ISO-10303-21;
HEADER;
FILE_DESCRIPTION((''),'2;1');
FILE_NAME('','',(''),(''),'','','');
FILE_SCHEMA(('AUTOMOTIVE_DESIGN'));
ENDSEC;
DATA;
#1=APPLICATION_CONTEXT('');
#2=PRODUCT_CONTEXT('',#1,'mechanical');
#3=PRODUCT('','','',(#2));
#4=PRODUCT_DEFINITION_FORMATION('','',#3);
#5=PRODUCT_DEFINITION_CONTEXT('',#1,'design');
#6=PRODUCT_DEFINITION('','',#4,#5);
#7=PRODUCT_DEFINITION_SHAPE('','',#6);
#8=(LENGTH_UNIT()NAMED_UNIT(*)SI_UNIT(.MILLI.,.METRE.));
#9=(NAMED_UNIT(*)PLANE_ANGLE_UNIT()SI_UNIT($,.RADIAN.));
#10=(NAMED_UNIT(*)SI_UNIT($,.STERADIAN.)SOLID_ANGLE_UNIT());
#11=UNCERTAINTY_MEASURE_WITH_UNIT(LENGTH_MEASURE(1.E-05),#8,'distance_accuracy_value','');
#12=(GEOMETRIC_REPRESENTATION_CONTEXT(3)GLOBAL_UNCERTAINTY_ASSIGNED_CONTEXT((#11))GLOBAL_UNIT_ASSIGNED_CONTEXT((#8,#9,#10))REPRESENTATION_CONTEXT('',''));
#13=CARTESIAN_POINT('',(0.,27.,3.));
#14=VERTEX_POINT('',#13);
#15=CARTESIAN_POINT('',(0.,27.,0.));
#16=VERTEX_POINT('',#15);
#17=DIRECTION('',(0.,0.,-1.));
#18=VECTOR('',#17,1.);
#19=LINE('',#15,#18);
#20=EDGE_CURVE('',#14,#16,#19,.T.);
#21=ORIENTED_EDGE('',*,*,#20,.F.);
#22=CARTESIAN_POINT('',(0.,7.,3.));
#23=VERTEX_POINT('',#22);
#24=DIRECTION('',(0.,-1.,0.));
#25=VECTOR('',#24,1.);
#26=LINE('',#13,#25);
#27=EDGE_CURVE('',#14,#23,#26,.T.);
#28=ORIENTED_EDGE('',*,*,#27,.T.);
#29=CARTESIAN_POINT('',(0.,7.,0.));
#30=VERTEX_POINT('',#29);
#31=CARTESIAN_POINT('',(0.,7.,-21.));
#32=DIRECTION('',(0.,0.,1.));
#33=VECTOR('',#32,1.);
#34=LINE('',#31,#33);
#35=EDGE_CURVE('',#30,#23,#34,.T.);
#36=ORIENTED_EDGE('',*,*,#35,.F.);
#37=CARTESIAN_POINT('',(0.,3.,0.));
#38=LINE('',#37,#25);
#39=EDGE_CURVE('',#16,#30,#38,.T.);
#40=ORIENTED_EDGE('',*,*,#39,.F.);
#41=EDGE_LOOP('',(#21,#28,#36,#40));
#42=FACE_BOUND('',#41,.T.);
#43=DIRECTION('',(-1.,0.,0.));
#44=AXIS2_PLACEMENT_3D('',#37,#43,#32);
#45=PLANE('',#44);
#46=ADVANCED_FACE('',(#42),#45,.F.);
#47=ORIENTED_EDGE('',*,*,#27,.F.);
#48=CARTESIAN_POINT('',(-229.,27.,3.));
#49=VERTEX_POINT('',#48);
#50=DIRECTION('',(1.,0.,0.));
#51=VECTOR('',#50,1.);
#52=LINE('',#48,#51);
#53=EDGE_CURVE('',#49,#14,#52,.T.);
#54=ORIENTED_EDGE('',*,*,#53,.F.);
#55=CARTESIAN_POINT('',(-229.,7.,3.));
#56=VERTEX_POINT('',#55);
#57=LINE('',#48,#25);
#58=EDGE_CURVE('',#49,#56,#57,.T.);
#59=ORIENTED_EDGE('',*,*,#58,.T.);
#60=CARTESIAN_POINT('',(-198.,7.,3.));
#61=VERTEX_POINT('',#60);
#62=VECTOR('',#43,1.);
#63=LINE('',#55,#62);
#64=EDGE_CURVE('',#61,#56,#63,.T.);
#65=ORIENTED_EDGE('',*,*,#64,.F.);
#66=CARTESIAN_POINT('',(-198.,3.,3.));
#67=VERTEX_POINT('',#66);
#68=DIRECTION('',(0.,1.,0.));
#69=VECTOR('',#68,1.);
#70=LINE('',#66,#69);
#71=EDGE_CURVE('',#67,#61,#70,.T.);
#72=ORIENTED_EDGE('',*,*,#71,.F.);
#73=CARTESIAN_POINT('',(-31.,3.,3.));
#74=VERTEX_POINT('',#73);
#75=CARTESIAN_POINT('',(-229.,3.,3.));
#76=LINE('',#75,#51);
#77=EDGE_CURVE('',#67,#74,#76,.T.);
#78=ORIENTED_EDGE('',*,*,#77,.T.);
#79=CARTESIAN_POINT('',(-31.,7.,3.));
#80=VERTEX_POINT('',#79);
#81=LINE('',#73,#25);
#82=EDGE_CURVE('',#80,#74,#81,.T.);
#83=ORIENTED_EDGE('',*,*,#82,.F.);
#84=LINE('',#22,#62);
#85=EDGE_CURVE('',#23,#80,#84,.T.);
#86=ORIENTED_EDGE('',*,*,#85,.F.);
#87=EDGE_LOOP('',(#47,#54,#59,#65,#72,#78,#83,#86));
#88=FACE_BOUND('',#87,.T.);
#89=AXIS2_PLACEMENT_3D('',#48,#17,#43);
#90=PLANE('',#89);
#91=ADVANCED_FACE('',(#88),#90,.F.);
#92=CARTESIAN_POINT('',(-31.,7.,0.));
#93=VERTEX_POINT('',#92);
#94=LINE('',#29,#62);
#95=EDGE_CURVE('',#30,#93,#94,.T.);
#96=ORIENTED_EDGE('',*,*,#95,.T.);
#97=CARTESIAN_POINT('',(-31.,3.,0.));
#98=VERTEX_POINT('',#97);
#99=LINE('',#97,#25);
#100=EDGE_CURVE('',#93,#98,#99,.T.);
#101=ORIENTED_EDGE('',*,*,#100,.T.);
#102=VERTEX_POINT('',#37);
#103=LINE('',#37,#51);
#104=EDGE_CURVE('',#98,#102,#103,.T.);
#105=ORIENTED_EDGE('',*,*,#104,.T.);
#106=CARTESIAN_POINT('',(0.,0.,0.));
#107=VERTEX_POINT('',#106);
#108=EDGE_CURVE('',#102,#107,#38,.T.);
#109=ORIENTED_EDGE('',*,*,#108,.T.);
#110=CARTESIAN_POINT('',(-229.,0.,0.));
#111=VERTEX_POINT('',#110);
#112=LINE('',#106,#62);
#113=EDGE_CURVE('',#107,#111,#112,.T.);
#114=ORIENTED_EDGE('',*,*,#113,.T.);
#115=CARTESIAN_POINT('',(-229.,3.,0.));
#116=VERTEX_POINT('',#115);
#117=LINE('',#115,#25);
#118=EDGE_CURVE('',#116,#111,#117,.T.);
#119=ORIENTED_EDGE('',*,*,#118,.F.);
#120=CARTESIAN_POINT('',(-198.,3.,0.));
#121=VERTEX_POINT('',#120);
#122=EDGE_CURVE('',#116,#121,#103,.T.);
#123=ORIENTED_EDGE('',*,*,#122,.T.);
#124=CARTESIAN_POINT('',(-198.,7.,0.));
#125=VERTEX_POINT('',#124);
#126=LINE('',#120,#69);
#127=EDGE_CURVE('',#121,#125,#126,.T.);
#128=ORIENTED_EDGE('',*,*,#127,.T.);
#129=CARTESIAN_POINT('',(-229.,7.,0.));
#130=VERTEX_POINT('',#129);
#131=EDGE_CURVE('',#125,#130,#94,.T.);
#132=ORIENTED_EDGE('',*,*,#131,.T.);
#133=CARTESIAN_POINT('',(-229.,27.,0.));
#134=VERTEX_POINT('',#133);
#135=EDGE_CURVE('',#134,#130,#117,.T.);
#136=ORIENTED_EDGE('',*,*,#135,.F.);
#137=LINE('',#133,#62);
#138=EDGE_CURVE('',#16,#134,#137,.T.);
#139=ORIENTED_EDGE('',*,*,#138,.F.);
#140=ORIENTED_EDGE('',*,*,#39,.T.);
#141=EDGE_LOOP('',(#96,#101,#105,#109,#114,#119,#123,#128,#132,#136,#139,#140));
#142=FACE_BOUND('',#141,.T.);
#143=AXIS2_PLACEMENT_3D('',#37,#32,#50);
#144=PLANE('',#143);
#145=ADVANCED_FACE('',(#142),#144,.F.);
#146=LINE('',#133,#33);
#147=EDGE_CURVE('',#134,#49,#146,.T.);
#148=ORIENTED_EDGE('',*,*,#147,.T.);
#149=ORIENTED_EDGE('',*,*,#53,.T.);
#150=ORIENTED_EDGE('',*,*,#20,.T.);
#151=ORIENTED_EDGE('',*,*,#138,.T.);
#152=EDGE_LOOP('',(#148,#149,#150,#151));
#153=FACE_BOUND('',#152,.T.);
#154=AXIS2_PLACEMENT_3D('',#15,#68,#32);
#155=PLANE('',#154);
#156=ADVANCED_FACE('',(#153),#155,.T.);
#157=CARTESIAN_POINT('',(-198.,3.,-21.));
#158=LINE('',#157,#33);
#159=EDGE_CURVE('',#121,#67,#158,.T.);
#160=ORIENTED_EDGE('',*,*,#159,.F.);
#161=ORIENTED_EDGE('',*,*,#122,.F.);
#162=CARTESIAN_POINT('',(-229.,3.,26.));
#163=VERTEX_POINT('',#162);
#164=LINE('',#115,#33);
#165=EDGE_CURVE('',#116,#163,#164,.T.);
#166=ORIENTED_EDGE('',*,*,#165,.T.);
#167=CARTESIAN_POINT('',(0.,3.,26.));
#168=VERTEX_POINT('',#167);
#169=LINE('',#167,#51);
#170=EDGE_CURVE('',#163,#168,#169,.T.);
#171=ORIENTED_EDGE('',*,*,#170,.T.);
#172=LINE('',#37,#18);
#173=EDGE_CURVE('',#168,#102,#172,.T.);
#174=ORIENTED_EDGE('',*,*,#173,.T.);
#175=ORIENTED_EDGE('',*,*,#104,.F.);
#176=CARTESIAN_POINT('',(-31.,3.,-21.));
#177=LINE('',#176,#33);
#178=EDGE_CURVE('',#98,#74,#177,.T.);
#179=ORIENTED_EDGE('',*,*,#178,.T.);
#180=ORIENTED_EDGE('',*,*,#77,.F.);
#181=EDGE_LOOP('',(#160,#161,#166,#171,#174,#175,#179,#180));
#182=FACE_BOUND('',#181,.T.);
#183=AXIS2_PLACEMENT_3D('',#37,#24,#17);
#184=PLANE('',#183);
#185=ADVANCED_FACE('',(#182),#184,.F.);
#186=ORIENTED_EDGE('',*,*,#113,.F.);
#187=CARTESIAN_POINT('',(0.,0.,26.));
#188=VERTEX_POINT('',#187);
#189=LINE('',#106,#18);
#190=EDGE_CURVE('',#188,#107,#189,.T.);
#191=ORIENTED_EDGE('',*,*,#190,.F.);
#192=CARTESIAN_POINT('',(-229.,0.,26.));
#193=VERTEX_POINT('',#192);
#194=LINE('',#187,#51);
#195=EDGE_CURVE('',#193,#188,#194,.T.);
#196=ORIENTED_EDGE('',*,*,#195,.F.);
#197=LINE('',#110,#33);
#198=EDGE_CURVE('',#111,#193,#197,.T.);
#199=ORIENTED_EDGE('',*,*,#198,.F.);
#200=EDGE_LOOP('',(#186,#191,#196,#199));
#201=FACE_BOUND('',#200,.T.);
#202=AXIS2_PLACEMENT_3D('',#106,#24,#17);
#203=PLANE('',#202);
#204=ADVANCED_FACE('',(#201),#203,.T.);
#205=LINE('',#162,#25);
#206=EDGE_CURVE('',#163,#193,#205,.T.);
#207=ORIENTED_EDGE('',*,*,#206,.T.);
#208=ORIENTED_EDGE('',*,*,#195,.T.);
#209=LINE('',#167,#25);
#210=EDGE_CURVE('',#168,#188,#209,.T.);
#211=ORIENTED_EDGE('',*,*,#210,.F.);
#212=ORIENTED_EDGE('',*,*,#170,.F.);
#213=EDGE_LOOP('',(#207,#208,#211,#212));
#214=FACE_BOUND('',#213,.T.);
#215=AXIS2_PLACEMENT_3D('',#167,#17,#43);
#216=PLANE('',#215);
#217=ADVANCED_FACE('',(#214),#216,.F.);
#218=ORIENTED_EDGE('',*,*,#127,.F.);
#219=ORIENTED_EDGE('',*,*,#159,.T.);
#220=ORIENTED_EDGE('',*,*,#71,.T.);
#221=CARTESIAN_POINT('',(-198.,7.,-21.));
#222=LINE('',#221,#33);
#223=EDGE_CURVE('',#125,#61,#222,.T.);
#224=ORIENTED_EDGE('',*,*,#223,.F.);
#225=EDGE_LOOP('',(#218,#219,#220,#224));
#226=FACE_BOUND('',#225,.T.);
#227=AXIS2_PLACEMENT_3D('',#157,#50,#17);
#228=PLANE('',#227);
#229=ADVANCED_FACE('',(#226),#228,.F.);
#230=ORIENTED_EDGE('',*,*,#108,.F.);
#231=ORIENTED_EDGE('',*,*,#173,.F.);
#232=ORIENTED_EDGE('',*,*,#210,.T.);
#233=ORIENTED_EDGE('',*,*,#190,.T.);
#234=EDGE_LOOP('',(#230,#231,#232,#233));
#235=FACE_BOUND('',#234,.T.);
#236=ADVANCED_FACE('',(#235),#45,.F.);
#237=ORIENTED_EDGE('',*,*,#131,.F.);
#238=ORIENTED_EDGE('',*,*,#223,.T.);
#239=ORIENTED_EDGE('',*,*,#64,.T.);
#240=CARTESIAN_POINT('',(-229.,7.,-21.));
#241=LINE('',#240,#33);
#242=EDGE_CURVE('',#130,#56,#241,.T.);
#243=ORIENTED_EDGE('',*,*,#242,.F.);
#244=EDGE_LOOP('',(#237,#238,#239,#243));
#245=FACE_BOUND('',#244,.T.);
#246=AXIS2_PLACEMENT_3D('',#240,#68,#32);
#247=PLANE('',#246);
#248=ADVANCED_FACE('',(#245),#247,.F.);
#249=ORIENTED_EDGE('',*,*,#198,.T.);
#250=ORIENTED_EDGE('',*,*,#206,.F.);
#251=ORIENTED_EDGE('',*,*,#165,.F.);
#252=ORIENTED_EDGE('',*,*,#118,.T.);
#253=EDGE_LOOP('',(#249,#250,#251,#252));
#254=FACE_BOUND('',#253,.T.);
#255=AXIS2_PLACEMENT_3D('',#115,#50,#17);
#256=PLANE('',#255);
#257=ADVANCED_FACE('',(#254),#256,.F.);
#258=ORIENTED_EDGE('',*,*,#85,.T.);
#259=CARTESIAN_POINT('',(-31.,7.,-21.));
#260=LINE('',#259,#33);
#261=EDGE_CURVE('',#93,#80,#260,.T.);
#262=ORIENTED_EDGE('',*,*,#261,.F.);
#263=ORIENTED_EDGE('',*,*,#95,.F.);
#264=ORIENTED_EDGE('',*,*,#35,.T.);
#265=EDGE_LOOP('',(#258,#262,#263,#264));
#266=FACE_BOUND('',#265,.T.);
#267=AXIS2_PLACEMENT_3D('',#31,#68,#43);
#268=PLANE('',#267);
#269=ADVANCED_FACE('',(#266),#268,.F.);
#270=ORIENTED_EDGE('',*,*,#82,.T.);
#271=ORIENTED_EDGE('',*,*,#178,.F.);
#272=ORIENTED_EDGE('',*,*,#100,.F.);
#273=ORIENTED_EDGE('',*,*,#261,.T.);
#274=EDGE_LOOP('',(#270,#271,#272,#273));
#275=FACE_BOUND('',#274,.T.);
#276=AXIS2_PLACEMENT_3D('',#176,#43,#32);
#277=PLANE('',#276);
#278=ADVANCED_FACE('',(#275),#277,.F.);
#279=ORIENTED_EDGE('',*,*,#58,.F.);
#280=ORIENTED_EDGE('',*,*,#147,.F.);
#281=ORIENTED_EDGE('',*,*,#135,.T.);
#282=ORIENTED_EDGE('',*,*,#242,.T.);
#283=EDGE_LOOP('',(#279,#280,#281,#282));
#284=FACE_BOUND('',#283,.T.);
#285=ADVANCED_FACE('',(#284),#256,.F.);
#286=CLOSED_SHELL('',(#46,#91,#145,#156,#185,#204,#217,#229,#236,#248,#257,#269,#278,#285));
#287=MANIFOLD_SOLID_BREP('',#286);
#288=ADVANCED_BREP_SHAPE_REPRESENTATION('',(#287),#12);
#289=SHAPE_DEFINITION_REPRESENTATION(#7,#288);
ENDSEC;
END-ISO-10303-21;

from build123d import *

# Parameters (mm, degrees)
SKETCH1_W           = 229
SKETCH1_H           = 26
BOSS_EXTRUDE1_DEPTH = 3
SKETCH2_W           = 229
SKETCH2_H           = 3
BOSS_EXTRUDE2_DEPTH = 24
SKETCH3_W           = 31
SKETCH3_H           = 4
CUT_EXTRUDE1_DEPTH  = 24


with BuildPart() as part:
    # Sketch1 → Boss-Extrude1 (new body)
    with BuildSketch(Plane(origin=(0, 0, 0), x_dir=(1, 0, 0), z_dir=(0, 1, 0))):
        with Locations((-114.5, -13)):
            Rectangle(SKETCH1_W, SKETCH1_H)
    extrude(amount=BOSS_EXTRUDE1_DEPTH)

    # Sketch2 → Boss-Extrude2 (add)
    with BuildSketch(Plane(origin=(0, 3, 0), x_dir=(1, 0, 0), z_dir=(0, 1, 0))):
        with Locations((-114.5, -1.5)):
            Rectangle(SKETCH2_W, SKETCH2_H)
    extrude(amount=BOSS_EXTRUDE2_DEPTH)

    # Sketch3 → Cut-Extrude1 (cut)
    with BuildSketch(Plane.XY.offset(3)):
        with Locations((-213.5, 5)):
            Rectangle(SKETCH3_W, SKETCH3_H)
        with Locations((-15.5, 5)):
            Rectangle(SKETCH3_W, SKETCH3_H)
    extrude(amount=-CUT_EXTRUDE1_DEPTH, mode=Mode.SUBTRACT)


solid = part.part
